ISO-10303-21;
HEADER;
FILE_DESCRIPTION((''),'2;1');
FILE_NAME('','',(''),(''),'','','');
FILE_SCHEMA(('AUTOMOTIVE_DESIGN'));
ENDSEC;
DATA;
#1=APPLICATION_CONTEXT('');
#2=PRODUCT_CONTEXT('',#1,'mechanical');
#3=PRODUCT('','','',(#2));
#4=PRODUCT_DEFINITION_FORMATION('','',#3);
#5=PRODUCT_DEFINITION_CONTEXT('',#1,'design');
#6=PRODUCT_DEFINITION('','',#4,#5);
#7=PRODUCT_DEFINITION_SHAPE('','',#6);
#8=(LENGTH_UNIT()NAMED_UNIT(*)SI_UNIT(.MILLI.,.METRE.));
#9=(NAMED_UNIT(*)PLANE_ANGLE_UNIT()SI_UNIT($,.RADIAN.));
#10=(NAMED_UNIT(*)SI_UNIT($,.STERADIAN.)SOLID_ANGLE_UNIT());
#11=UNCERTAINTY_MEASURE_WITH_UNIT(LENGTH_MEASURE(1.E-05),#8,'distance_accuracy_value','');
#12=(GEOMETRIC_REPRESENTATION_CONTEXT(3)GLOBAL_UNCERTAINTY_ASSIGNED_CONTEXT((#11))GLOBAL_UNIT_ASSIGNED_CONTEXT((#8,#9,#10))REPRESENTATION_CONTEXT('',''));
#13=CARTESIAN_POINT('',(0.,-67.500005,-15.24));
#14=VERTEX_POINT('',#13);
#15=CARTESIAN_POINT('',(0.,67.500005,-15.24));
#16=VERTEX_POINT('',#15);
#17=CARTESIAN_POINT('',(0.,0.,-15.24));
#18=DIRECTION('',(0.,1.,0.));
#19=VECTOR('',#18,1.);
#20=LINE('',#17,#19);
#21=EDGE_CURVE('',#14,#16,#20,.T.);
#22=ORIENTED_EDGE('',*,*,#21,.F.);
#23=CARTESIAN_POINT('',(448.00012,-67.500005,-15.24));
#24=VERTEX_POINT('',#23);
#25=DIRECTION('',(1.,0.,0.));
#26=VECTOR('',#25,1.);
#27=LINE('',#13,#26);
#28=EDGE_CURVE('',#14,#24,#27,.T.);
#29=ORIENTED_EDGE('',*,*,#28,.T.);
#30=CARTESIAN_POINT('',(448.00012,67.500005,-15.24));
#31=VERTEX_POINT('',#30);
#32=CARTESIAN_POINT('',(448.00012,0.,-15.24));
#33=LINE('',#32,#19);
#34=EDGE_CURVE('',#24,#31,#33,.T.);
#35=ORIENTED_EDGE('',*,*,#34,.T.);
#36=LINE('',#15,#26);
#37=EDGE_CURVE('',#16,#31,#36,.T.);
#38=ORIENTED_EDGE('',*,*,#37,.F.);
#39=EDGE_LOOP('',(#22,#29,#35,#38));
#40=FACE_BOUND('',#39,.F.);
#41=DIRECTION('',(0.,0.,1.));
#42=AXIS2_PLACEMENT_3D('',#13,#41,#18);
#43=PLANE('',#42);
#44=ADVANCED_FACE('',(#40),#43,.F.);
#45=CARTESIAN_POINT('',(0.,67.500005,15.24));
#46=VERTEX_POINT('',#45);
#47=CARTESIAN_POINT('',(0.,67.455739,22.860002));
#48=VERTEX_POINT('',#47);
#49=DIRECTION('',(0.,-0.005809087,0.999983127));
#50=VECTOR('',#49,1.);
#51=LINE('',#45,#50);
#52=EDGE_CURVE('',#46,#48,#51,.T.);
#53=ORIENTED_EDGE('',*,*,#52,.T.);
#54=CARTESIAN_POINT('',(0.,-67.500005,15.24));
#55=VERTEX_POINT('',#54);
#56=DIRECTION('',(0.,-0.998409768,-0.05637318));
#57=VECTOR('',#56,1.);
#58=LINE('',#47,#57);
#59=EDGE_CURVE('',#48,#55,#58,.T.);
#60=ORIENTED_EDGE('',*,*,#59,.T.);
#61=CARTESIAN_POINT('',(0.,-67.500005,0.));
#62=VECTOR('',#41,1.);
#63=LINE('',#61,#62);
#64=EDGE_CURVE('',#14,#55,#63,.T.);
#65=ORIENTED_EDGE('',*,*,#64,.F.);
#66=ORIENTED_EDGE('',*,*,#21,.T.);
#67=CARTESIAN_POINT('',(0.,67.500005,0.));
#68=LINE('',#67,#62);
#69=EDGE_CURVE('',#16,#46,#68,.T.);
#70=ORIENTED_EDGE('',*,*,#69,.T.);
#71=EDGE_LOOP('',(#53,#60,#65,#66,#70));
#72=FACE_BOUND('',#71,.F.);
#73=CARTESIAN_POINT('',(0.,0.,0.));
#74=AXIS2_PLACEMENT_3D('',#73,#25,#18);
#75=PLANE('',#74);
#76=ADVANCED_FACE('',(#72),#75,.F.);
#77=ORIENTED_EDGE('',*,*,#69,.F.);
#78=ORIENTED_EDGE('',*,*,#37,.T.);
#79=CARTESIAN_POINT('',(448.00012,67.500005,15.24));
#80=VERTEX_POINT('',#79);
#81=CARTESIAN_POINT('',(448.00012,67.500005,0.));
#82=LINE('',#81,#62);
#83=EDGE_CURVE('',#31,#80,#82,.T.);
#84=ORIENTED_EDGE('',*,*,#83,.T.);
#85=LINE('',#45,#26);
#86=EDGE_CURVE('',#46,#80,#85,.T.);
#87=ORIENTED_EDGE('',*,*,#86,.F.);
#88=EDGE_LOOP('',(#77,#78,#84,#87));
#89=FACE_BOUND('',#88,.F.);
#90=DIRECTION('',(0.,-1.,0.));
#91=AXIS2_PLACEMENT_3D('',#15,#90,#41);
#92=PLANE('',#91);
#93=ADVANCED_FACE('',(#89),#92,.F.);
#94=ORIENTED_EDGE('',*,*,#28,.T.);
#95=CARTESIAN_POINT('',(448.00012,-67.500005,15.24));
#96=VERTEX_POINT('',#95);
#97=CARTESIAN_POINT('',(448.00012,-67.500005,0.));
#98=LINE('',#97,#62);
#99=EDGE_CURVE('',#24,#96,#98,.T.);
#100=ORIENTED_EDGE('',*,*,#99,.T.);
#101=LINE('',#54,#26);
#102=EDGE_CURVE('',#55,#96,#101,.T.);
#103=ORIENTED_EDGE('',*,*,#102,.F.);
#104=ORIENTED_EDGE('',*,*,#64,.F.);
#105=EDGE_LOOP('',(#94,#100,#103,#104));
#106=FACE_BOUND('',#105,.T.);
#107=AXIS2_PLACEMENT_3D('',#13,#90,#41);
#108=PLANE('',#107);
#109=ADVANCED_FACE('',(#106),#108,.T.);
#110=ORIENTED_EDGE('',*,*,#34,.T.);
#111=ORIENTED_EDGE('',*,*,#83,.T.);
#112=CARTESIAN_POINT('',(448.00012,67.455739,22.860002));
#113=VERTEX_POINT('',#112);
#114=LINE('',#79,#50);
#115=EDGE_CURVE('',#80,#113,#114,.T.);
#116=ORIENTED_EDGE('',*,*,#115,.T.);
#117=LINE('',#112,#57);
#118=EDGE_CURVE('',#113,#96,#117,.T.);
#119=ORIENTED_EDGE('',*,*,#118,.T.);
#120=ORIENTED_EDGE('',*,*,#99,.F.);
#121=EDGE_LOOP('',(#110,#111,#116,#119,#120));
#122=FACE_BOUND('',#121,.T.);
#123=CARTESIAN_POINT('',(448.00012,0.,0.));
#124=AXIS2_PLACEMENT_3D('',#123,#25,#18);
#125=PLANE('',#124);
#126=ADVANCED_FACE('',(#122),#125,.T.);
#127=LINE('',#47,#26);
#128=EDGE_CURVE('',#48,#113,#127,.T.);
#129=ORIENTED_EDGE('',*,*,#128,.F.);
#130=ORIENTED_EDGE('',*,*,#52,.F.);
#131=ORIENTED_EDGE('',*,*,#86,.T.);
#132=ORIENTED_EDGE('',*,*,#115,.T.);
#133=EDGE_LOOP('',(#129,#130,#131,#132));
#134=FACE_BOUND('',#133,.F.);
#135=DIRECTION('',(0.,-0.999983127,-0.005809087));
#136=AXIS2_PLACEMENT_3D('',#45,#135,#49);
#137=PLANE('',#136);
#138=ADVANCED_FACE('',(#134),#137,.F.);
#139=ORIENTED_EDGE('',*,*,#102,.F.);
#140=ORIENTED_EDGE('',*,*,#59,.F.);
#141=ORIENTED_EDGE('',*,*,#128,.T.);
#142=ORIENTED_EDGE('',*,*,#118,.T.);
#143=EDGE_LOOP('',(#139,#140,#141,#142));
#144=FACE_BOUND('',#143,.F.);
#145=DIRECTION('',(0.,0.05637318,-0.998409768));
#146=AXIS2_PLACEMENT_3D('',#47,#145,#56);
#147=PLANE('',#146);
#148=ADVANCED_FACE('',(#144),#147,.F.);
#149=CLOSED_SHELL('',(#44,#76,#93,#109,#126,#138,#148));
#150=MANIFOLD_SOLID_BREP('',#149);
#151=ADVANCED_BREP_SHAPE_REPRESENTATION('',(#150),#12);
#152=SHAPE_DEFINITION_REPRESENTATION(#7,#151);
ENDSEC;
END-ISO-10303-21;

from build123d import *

# Parameters (mm, degrees)
F0_W     = 135.00001
F0_H     = 30.48
F1_DEPTH = 448.00012


with BuildPart() as f1:
    # F0 (on Right) → F1 (new body)
    with BuildSketch(Plane.YZ):
        Rectangle(F0_W, F0_H)
        Polygon((67.455739, 22.860002), (-67.500005, 15.24), (67.500005, 15.24), align=None)
    extrude(amount=F1_DEPTH)


solid = f1.part
